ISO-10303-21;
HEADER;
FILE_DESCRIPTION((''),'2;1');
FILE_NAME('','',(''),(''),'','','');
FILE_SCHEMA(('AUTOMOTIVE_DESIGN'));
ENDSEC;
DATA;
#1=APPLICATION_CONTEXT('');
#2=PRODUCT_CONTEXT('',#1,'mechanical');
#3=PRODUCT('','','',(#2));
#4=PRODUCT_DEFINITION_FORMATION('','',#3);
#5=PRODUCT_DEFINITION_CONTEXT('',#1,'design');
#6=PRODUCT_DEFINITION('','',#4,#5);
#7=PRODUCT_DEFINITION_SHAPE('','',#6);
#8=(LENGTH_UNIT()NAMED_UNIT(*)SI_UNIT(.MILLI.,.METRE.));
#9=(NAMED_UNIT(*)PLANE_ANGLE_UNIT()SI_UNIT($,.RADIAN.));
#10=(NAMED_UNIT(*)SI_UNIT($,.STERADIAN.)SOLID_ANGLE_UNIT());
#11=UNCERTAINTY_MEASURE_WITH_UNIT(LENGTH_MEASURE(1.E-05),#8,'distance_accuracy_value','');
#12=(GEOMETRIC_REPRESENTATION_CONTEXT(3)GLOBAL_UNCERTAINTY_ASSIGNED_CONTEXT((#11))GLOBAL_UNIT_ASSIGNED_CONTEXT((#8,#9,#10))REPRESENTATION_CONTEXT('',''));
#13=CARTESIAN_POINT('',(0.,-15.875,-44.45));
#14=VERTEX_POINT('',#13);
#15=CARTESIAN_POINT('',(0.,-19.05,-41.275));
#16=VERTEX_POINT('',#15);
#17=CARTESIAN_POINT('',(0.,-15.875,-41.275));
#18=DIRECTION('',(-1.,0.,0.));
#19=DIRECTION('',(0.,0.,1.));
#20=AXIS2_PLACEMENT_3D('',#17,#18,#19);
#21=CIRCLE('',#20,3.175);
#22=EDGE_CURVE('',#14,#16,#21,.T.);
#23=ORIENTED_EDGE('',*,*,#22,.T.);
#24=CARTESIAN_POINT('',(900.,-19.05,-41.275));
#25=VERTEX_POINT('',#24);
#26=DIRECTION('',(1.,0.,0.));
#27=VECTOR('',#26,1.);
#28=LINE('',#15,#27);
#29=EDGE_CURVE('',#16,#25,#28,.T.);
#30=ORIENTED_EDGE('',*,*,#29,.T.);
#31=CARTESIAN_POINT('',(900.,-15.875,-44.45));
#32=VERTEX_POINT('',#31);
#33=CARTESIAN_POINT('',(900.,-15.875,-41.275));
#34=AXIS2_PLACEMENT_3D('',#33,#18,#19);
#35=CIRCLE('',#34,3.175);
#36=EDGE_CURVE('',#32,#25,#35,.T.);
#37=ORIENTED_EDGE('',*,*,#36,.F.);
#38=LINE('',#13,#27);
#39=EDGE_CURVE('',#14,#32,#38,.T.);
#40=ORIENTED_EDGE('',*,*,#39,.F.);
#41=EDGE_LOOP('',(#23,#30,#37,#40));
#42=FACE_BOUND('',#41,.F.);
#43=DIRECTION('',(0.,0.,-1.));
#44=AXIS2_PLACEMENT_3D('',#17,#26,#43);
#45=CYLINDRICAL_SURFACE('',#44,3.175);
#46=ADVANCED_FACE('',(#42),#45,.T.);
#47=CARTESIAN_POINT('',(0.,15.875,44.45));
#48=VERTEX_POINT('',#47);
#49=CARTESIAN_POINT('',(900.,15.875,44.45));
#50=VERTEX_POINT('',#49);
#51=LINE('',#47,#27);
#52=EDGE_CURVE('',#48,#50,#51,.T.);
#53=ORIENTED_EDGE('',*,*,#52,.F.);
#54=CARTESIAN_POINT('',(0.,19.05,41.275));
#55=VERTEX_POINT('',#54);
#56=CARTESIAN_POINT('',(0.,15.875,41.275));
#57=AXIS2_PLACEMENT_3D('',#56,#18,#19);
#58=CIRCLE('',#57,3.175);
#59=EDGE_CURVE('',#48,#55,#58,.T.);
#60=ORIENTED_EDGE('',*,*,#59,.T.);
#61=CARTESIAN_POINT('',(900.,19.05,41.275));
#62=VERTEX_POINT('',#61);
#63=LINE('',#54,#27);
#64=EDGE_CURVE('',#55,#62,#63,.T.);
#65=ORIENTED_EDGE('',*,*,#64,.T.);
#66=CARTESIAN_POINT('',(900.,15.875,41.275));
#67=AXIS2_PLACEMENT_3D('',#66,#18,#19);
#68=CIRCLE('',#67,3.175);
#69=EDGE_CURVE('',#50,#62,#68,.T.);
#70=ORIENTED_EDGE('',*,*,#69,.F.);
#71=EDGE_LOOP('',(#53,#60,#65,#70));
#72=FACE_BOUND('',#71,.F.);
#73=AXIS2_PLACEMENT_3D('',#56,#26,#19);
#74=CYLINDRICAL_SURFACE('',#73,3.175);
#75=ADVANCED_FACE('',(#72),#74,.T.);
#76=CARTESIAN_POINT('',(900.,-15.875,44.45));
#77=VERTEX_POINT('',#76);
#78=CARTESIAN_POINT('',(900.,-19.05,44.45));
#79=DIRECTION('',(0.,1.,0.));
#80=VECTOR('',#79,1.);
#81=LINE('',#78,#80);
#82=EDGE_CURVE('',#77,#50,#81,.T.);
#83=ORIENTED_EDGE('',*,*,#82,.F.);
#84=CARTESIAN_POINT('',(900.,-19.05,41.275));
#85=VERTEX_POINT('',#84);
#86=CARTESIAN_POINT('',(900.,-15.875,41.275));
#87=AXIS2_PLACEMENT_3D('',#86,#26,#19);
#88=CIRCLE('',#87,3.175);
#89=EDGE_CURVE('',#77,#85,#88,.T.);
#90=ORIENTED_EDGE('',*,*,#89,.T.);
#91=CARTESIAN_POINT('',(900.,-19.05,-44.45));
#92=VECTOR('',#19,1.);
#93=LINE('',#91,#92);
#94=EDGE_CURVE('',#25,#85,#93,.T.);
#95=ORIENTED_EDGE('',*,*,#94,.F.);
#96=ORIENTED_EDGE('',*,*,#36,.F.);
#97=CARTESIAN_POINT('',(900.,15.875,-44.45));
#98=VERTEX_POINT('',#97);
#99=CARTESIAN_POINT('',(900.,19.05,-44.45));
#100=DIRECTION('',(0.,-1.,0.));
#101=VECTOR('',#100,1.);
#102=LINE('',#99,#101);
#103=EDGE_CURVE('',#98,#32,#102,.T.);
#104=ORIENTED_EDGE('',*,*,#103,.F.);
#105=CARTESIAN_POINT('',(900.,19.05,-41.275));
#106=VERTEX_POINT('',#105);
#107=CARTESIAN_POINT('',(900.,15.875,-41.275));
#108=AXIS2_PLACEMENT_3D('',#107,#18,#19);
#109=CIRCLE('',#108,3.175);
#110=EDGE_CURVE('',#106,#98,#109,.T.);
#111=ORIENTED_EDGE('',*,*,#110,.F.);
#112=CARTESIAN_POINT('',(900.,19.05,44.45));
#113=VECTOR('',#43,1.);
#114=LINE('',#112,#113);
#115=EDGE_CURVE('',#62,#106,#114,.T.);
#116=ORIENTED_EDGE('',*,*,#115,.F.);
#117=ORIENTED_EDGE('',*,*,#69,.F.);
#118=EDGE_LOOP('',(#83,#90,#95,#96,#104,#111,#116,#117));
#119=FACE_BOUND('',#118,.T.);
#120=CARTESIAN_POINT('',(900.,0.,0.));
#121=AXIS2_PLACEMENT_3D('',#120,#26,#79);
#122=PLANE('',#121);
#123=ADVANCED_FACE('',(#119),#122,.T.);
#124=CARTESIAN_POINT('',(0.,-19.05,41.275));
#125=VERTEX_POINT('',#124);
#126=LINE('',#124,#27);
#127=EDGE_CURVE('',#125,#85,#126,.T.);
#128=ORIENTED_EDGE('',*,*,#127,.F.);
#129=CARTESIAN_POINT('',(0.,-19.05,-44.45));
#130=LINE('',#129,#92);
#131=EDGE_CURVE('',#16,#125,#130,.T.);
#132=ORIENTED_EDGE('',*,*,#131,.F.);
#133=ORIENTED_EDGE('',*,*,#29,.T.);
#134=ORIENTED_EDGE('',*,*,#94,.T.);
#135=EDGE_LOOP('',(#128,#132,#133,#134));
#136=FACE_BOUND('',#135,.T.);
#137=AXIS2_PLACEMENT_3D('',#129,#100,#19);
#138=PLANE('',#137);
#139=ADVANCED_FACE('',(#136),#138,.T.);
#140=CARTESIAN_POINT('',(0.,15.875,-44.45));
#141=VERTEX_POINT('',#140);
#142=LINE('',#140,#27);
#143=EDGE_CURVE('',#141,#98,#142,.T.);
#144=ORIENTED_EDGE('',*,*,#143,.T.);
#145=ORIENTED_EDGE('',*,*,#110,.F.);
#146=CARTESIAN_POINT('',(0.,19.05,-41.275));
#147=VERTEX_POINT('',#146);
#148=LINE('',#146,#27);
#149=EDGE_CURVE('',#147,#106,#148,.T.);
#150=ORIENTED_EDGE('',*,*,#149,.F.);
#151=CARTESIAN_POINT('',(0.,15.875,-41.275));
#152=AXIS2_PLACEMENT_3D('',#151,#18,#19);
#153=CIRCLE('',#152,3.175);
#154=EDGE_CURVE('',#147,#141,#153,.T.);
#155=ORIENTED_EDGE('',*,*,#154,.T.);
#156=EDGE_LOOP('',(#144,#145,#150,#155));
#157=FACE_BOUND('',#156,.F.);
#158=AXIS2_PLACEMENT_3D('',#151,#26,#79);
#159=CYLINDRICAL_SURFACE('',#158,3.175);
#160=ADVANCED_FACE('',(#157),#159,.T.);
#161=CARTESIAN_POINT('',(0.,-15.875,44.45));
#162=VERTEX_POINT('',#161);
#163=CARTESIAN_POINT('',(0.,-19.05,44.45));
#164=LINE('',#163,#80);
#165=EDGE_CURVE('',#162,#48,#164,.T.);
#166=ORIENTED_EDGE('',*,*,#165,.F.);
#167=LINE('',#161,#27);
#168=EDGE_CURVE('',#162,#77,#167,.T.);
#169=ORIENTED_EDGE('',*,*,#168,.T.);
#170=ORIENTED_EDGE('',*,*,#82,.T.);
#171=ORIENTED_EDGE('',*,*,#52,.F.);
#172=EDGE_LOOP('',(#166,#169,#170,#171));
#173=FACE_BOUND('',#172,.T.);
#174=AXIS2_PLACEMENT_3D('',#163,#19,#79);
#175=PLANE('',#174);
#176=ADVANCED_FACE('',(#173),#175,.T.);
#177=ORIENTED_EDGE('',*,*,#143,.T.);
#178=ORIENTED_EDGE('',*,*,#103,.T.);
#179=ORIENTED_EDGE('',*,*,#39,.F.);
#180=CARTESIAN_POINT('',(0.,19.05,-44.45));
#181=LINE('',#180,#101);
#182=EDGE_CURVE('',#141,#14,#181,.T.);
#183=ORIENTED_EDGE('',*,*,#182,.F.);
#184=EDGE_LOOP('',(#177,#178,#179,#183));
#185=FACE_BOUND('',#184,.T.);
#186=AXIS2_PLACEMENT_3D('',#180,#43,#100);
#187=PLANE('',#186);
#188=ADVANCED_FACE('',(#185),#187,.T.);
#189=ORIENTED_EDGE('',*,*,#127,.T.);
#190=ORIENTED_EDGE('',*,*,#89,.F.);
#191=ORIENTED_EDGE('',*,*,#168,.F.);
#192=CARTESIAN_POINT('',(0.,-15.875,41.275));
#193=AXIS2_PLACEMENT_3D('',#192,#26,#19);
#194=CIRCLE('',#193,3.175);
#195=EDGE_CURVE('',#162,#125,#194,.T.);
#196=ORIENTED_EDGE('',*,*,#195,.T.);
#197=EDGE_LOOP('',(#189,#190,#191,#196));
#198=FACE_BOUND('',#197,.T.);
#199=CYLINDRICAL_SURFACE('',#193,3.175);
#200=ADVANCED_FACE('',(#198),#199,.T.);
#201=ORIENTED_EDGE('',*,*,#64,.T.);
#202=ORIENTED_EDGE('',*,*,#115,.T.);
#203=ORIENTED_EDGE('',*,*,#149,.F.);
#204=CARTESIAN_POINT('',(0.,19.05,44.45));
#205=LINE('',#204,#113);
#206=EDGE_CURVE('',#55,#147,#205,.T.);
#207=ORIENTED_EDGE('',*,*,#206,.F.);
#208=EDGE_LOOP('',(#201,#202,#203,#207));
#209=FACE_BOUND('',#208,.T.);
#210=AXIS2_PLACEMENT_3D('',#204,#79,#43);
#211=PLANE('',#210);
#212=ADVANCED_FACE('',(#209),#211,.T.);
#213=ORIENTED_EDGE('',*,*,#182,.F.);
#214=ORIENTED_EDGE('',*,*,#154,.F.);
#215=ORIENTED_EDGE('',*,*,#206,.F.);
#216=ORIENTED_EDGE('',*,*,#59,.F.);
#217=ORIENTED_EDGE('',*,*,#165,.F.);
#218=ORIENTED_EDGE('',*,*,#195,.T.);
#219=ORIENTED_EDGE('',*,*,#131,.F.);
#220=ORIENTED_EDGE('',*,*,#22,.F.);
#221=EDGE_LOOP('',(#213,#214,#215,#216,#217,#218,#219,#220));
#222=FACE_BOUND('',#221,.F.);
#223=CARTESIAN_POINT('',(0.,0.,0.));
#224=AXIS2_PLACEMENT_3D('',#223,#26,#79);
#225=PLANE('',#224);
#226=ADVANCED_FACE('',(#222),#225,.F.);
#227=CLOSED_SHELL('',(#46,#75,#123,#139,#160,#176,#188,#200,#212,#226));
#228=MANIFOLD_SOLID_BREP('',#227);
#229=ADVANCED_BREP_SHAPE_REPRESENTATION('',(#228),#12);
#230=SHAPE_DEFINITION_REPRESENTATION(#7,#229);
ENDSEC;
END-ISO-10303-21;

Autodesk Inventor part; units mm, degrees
ref_plane "YZ Plane" through (0, 0, 0) normal (1, 0, 0) x (0, 1, 0)
ref_plane "XZ Plane" through (0, 0, 0) normal (0, 1, 0) x (-1, 0, 0)
ref_plane "XY Plane" through (0, 0, 0) normal (0, 0, 1) x (1, 0, 0)
sketch "Sketch1" plane through (0, 0, 0) normal (1, 0, 0) x (0, 1, 0)
  line L0 (-19.05, 44.45) -> (19.05, 44.45)
  line L1 (19.05, 44.45) -> (19.05, -44.45)
  line L2 (19.05, -44.45) -> (-19.05, -44.45)
  line L3 (-19.05, -44.45) -> (-19.05, 44.45)
  line L4 (-19.05, 44.45) -> (19.05, -44.45) construction
  line L5 (19.05, 44.45) -> (-19.05, -44.45) construction
  point P0 (0, 0)
  dimension "d0" = 38.1
  dimension "d1" = 88.9
extrude "Extrusion1" add sketch "Sketch1" along normal blind 900
fillet "Fillet1" radius 3.175 4 edges at (450, -19.05, 44.45) (450, 19.05, 44.45) (450, 19.05, -44.45) (450, -19.05, -44.45)
properties part number "2x4"
